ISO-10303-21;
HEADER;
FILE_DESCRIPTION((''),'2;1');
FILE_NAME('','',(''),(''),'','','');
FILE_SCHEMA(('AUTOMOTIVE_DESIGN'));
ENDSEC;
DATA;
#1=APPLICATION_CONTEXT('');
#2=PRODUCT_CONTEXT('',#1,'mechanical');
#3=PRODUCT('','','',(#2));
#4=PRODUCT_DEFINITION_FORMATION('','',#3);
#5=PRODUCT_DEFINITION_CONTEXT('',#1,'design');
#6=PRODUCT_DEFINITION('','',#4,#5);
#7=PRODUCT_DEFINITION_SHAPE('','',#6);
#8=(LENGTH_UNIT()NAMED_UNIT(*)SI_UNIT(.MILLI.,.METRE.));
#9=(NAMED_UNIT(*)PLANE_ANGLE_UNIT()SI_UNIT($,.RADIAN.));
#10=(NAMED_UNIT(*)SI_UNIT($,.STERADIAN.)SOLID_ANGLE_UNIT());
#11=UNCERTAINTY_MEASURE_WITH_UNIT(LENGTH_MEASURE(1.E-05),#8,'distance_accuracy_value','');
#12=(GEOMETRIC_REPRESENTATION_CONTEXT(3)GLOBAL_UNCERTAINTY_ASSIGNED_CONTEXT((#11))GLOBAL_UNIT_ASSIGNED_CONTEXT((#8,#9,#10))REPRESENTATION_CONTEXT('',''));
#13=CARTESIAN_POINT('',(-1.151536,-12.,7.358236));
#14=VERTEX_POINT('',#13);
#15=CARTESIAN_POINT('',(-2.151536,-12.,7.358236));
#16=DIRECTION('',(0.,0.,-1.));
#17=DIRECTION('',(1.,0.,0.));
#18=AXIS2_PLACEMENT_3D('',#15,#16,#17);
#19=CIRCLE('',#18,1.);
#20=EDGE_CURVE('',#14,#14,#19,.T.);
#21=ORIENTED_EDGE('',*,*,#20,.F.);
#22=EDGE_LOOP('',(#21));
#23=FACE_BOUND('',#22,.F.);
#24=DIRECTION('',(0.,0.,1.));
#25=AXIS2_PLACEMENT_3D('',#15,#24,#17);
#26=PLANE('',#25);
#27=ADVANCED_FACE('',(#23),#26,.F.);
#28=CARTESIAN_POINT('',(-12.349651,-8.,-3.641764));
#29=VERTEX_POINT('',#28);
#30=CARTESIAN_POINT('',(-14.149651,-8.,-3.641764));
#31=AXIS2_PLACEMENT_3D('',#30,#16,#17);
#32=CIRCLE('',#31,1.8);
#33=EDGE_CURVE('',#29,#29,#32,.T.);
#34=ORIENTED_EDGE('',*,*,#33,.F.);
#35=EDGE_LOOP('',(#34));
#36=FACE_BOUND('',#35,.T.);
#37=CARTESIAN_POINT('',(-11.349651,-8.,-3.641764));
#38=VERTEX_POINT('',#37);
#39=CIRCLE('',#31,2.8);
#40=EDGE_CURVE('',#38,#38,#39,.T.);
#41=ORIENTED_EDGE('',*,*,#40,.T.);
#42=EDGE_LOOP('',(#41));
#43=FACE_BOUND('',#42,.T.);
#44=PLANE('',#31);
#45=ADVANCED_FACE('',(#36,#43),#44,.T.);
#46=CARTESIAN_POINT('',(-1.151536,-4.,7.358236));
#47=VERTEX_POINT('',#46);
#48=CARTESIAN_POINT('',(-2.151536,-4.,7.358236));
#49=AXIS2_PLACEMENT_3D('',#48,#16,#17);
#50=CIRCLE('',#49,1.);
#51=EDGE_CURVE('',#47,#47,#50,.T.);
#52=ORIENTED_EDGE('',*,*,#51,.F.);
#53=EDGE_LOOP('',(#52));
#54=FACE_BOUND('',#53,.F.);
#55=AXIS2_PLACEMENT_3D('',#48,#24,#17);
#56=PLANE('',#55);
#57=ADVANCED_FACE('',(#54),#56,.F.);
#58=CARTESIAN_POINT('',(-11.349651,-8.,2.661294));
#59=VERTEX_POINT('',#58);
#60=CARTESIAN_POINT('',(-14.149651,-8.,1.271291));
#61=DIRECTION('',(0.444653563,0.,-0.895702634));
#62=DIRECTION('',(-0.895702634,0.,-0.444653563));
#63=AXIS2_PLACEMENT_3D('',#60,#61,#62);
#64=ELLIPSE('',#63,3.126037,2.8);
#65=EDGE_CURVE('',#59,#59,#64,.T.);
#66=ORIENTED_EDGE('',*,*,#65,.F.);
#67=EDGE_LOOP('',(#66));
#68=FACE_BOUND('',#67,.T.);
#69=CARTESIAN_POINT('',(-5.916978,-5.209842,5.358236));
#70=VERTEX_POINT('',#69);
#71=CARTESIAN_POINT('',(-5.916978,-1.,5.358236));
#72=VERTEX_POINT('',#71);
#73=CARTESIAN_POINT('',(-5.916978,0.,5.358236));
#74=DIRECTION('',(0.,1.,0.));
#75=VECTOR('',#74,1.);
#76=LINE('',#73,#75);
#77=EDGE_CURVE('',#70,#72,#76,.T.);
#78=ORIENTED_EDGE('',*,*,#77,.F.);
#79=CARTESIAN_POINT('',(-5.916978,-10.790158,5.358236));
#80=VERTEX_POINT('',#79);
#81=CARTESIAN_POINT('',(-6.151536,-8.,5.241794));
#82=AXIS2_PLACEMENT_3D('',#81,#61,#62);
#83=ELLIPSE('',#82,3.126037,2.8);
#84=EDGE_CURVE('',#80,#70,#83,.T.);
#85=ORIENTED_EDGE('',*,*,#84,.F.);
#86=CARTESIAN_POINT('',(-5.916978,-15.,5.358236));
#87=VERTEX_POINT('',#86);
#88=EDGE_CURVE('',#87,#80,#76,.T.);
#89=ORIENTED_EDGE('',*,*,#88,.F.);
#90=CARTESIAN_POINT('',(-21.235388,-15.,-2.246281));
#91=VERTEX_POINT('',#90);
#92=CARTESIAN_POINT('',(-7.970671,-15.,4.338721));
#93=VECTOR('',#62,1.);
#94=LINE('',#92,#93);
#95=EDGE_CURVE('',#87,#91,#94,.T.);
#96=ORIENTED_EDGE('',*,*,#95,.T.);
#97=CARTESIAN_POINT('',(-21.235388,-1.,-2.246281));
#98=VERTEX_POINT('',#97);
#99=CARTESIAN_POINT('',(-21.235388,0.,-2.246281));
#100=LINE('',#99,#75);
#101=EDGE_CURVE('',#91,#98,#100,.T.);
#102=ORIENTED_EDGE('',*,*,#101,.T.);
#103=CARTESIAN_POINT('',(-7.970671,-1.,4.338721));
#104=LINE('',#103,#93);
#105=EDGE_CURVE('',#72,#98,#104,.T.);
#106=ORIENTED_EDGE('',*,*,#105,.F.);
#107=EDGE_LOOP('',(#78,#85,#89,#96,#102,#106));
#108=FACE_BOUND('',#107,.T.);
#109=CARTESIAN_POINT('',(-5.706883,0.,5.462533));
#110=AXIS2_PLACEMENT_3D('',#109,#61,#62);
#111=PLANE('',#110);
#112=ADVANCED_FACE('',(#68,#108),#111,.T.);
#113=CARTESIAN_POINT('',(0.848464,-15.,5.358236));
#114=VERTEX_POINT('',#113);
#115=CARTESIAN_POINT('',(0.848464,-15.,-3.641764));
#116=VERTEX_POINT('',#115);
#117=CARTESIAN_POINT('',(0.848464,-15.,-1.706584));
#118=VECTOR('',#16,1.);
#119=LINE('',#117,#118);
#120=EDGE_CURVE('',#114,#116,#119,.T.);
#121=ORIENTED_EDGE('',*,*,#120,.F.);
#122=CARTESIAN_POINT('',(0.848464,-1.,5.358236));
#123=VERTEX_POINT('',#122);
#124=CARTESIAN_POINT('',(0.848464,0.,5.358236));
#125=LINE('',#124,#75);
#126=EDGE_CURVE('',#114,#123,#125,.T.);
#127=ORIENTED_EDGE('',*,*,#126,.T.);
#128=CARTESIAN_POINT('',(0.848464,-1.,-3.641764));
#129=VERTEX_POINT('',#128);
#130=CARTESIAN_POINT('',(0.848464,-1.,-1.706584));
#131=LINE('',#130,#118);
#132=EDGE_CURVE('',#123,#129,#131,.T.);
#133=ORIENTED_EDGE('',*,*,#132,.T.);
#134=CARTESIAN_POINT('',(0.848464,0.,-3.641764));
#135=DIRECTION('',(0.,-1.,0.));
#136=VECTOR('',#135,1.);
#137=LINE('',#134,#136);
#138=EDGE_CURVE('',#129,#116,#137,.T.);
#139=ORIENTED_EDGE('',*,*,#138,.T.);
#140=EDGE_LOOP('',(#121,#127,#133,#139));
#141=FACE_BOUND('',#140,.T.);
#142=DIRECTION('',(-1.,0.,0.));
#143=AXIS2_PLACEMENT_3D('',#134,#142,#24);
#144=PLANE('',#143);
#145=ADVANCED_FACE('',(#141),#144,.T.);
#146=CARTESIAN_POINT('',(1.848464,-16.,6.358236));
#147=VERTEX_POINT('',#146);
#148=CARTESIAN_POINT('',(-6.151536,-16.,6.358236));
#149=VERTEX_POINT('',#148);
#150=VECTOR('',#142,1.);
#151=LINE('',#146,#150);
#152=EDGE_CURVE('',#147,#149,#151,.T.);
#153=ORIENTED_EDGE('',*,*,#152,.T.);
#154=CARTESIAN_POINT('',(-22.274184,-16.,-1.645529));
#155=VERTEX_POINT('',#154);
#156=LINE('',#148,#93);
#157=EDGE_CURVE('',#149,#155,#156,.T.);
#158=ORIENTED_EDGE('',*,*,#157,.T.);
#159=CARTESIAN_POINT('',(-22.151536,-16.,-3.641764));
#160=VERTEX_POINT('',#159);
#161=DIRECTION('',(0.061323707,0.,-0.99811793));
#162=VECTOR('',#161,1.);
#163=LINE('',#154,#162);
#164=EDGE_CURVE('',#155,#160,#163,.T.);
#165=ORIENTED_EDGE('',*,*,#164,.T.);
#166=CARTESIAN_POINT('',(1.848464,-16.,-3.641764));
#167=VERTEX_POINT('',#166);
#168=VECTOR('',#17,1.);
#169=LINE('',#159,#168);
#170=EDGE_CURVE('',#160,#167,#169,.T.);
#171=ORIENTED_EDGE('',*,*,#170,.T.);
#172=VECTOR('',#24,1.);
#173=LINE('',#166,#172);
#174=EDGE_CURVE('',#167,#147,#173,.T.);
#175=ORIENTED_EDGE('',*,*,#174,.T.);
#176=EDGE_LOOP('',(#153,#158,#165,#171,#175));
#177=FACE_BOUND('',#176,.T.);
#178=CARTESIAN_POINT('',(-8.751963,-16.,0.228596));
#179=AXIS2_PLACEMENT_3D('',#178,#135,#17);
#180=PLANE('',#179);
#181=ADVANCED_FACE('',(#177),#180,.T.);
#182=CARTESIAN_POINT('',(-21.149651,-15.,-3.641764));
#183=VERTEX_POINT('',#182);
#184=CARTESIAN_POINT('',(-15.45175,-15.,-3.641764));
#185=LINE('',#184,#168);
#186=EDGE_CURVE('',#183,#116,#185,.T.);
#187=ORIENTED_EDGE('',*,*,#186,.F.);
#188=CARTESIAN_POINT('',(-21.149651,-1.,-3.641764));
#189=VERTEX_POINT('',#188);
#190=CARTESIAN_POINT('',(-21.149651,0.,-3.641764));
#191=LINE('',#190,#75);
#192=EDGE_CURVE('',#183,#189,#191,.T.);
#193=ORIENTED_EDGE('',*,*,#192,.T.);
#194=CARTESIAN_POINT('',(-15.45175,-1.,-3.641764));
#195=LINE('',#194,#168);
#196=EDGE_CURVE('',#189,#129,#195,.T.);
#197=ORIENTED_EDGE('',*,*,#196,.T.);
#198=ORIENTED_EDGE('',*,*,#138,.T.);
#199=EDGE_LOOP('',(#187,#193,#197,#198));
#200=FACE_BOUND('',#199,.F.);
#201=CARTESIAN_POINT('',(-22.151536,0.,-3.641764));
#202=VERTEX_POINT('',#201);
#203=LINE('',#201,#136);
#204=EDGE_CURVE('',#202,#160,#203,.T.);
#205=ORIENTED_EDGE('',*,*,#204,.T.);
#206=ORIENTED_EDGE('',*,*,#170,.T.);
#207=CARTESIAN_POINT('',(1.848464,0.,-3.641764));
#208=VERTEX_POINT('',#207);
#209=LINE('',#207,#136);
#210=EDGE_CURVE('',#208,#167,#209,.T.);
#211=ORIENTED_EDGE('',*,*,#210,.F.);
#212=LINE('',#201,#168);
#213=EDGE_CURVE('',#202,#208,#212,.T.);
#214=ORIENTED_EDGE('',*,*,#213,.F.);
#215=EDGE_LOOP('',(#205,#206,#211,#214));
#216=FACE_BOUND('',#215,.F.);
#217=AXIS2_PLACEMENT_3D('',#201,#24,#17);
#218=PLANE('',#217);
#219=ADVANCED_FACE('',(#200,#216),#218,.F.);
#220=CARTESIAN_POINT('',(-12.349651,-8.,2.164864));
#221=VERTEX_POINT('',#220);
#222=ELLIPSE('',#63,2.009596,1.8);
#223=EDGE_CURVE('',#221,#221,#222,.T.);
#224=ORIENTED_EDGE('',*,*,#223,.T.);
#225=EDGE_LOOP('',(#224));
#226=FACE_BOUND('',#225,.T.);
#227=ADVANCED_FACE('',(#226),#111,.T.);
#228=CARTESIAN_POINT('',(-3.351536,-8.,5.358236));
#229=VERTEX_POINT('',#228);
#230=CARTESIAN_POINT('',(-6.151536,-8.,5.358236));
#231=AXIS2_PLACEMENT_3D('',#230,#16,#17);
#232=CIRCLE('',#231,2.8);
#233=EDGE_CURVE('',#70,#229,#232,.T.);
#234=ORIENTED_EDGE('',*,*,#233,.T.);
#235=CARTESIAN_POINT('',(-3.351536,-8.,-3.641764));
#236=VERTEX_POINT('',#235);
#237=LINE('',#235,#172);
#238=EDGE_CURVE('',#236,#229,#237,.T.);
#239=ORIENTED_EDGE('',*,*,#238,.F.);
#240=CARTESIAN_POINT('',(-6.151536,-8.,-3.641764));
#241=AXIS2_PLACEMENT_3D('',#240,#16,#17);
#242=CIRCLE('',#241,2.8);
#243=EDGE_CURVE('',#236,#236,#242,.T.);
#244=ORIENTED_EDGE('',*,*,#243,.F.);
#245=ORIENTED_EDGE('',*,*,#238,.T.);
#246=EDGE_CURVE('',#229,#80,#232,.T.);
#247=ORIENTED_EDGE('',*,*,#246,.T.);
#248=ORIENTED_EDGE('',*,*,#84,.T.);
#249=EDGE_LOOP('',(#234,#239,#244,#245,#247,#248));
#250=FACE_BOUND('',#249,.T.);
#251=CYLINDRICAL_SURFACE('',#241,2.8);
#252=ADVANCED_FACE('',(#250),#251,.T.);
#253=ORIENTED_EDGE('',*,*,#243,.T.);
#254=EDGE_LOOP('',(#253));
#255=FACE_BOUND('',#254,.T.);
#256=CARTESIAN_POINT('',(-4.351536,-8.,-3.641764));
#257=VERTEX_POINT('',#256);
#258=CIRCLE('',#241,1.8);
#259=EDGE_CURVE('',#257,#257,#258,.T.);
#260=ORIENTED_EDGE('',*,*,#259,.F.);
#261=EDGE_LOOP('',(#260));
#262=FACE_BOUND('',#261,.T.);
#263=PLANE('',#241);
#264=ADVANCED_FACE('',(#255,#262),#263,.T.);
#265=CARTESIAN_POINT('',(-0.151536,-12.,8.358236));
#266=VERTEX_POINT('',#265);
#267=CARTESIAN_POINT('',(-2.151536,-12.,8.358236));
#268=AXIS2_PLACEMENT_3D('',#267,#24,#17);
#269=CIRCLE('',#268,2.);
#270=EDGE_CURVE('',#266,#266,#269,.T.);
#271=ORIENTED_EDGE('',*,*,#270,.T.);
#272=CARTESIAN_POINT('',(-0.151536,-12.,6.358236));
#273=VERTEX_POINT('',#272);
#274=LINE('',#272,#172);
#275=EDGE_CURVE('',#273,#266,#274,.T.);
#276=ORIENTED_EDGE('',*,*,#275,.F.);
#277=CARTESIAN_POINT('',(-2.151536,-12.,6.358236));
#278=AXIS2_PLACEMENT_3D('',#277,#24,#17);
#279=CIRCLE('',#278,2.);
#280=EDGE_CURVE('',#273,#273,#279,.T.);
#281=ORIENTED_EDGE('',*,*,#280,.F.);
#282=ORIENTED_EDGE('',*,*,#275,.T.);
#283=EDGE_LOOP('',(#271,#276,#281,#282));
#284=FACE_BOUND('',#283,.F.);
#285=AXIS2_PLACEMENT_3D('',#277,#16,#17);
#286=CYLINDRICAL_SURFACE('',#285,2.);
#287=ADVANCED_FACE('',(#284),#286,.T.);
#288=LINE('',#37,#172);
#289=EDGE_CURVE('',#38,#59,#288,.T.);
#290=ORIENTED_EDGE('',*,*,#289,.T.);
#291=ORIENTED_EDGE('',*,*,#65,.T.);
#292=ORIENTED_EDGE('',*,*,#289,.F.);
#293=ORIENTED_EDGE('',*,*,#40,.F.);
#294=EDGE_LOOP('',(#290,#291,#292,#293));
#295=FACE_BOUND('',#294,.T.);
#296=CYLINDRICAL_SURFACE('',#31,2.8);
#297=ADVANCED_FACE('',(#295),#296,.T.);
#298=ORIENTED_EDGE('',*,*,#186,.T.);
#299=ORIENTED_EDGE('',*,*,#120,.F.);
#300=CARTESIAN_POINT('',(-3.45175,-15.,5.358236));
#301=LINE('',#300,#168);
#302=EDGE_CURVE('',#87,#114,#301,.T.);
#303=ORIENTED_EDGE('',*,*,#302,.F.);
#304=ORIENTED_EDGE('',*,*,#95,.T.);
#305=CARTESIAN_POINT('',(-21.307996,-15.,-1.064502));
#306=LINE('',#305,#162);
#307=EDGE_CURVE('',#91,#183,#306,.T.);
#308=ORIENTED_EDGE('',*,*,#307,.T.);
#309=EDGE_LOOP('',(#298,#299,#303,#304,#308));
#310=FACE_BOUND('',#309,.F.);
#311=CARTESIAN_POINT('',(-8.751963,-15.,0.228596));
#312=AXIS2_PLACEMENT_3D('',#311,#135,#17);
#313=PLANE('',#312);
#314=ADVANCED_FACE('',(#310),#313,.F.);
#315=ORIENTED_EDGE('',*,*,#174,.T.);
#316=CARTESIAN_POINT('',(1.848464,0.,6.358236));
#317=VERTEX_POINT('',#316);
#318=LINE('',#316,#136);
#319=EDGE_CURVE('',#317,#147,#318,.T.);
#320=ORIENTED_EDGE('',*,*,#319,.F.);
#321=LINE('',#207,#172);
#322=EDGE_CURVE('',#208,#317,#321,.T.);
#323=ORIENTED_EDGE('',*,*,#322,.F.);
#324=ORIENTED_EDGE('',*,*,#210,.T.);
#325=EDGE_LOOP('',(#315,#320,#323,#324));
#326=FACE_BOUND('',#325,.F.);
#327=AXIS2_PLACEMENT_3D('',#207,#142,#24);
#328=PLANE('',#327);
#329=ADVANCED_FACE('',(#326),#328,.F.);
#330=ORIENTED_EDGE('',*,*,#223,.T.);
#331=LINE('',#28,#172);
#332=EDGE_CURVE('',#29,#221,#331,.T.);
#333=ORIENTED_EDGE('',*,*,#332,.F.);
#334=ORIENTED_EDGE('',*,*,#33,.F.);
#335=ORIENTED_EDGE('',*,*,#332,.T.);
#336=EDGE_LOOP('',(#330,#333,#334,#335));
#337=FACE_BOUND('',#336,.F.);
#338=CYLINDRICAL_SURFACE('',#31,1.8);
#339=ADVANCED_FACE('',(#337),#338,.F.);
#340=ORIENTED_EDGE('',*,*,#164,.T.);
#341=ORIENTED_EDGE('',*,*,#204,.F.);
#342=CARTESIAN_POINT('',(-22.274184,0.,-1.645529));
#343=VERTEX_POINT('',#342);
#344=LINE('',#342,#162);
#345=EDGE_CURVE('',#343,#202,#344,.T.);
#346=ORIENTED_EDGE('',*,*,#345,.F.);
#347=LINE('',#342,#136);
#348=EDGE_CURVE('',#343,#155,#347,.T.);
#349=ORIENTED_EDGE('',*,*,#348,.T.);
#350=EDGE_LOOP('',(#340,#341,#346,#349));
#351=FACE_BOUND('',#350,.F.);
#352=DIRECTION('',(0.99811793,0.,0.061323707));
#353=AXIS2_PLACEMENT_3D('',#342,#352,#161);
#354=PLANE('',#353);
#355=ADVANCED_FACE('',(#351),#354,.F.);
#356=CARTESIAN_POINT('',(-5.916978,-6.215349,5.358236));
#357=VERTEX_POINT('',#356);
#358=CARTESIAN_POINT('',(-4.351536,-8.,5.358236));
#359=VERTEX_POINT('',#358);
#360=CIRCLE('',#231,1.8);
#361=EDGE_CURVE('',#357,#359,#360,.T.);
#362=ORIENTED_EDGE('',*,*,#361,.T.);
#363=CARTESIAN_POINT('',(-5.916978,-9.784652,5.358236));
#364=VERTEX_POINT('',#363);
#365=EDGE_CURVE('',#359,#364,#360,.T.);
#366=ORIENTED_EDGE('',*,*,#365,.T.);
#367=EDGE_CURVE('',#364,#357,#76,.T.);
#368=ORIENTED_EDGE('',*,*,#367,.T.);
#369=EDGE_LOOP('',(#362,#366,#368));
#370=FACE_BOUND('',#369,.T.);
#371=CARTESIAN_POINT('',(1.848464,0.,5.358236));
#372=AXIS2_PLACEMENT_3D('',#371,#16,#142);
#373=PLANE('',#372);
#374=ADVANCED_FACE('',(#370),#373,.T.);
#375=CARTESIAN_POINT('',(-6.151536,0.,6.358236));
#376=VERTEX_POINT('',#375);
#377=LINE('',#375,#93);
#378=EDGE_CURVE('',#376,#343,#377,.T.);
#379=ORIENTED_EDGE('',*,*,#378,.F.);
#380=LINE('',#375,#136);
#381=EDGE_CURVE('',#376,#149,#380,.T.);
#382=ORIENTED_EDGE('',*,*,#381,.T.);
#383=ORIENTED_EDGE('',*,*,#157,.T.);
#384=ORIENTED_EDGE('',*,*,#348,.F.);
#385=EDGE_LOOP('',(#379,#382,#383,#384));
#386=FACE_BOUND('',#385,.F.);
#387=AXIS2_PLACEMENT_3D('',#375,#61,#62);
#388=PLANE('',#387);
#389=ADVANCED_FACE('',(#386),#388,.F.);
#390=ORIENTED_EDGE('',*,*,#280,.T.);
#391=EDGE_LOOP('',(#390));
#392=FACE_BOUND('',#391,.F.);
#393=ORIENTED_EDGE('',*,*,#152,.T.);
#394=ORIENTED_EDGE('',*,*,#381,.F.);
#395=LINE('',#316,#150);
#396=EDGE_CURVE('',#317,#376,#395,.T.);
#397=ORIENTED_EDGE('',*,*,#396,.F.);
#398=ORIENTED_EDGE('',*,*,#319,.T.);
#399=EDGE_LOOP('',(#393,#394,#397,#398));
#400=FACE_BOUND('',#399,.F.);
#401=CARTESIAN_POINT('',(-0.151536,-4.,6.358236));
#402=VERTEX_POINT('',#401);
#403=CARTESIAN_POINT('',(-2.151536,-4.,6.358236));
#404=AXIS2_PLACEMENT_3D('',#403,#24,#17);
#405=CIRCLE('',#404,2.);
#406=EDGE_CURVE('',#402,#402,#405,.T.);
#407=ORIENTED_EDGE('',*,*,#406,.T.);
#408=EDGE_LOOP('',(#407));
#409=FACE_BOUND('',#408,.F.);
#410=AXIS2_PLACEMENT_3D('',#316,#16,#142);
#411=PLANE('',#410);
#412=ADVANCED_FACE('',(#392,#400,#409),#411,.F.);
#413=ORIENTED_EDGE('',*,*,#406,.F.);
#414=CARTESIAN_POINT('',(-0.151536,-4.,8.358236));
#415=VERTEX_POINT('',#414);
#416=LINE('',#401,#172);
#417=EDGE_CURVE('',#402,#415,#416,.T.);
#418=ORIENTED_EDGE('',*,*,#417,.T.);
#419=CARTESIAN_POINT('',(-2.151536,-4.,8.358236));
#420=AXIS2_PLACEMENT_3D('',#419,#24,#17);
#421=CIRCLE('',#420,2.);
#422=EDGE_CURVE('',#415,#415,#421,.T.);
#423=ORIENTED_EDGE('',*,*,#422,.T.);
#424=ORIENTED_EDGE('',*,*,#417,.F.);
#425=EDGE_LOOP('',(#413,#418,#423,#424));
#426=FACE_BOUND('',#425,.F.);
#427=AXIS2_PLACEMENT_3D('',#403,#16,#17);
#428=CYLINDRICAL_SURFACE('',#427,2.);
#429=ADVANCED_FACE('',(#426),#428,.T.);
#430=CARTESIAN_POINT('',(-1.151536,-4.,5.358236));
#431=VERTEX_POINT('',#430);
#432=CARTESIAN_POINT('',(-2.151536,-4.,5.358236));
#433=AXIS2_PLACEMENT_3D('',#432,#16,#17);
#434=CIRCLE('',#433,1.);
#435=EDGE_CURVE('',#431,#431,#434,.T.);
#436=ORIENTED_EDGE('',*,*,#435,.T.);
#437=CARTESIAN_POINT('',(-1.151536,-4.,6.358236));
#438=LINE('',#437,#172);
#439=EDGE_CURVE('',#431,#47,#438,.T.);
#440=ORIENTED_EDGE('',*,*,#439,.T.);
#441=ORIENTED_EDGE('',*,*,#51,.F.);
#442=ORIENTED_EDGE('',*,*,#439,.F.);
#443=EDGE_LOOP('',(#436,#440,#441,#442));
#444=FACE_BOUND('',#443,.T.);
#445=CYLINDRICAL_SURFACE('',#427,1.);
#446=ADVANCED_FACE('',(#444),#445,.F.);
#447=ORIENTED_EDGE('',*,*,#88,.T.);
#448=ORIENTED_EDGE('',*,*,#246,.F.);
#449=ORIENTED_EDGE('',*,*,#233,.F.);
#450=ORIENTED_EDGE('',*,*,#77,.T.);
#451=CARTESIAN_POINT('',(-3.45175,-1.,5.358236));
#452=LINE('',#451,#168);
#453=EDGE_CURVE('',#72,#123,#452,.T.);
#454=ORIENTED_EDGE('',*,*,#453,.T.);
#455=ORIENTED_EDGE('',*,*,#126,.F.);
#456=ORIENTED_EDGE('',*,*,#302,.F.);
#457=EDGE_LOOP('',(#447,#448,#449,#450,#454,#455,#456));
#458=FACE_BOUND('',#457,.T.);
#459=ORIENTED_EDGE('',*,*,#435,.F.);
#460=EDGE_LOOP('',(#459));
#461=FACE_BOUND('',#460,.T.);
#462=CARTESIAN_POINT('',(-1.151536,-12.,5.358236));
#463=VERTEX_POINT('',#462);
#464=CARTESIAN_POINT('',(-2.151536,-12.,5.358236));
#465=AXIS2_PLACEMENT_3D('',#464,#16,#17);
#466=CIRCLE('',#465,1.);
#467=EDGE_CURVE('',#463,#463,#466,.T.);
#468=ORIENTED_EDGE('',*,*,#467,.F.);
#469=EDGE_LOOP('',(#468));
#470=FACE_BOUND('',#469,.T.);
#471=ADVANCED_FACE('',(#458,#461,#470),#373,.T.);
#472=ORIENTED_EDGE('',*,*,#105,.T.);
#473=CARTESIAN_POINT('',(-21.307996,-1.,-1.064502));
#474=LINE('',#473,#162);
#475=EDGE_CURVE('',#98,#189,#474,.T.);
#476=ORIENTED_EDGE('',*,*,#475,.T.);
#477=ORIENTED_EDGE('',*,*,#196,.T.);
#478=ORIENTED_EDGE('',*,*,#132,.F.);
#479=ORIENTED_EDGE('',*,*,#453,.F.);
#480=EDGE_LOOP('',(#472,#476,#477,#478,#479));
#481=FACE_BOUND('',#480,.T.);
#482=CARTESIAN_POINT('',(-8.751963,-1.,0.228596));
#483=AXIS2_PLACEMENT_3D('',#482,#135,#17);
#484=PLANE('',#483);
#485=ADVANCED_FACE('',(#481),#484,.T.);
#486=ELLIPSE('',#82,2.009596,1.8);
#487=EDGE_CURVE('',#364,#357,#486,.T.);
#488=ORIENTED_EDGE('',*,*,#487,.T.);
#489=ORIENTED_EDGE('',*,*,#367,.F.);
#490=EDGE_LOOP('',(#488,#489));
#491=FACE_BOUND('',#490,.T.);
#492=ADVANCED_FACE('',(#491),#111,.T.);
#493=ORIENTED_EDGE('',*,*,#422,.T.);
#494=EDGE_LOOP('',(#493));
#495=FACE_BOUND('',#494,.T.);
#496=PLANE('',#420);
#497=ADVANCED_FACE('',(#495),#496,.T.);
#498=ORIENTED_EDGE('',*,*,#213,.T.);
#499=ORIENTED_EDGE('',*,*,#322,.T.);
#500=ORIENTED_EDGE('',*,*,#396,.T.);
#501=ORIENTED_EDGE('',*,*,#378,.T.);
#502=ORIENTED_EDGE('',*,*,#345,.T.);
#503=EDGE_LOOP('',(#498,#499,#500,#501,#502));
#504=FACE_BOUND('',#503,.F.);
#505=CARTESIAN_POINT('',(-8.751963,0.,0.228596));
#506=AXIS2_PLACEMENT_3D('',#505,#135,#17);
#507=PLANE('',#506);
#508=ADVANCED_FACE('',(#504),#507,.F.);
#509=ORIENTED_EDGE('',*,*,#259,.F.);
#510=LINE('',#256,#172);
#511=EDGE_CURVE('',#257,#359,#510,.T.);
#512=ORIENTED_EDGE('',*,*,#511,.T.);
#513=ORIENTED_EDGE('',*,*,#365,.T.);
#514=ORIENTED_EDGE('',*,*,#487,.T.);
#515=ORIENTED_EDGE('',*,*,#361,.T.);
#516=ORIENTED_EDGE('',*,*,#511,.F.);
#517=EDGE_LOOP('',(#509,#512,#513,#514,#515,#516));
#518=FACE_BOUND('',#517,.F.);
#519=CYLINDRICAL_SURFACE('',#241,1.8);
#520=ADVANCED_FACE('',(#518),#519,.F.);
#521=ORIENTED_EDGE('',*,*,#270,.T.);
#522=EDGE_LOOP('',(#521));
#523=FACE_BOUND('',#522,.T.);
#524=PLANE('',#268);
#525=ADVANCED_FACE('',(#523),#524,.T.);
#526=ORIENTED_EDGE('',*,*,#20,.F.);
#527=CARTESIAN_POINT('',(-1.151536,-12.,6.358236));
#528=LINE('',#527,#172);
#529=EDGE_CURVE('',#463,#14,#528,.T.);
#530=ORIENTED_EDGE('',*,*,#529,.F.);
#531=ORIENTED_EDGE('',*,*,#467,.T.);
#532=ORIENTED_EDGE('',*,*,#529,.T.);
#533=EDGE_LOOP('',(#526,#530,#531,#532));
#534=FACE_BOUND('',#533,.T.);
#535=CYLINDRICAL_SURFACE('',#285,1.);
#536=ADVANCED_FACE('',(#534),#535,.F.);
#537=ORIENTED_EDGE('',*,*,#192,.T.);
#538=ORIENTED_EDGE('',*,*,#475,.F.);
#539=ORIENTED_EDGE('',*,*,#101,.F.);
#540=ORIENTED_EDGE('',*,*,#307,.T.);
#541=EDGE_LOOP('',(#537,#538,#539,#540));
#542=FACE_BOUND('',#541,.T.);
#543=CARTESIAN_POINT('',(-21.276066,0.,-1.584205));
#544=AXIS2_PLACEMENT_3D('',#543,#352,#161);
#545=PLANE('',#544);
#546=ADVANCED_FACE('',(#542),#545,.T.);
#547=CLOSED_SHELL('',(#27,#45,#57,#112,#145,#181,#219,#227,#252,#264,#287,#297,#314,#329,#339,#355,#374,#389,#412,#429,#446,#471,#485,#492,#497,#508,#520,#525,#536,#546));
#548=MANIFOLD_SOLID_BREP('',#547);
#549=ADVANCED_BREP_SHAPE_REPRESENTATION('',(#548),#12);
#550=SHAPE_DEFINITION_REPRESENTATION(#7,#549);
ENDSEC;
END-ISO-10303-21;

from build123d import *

# Parameters (mm, degrees)
F1_DEPTH = 16
F2_R     = 2
F3_DEPTH = 2
F4_T     = -1
F5_R     = 2.8
F5_R_2   = 1.8


with BuildPart() as f1:
    # F0 (on Front) → F1 (new body)
    with BuildSketch(Plane.XZ):
        Polygon((-22.2741838526, -1.6455285968), (-22.1515364396, -3.6417644576), (1.8484635604, -3.6417644576), (1.8484635604, 6.3582355424), (-6.1515364396, 6.3582355424), align=None)
    extrude(amount=F1_DEPTH)

    # F2 (on face) → F3 (join)
    with BuildSketch(Plane.XY.offset(6.3582355424)):
        with Locations((-2.1515364396, -4)):
            Circle(F2_R)
        with Locations((-2.1515364396, -12)):
            Circle(F2_R)
    extrude(amount=F3_DEPTH)

    # F4
    f4_openings = [f1.faces().sort_by_distance(p)[0] for p in [
        (-10.151536, -8, -3.641764),
    ]]
    offset(amount=F4_T, openings=f4_openings, kind=Kind.INTERSECTION)

    # F5 (on face) → F6 (join, up to the next surface of F1)
    with BuildSketch(Plane(origin=(0, 0, -3.6417644576), x_dir=(1, 0, 0), z_dir=(0, 0, -1))):
        with Locations((-6.1515364396, 8.0000003978)):
            Circle(F5_R)
        with Locations((-6.1515364396, 8.0000003978)):
            Circle(F5_R_2, mode=Mode.SUBTRACT)
        with Locations((-14.1496508211, 8.0000003978)):
            Circle(F5_R)
        with Locations((-14.1496508211, 8.0000003978)):
            Circle(F5_R_2, mode=Mode.SUBTRACT)
    extrude(until=Until.NEXT, dir=(0, 0, 1))


solid = f1.part
